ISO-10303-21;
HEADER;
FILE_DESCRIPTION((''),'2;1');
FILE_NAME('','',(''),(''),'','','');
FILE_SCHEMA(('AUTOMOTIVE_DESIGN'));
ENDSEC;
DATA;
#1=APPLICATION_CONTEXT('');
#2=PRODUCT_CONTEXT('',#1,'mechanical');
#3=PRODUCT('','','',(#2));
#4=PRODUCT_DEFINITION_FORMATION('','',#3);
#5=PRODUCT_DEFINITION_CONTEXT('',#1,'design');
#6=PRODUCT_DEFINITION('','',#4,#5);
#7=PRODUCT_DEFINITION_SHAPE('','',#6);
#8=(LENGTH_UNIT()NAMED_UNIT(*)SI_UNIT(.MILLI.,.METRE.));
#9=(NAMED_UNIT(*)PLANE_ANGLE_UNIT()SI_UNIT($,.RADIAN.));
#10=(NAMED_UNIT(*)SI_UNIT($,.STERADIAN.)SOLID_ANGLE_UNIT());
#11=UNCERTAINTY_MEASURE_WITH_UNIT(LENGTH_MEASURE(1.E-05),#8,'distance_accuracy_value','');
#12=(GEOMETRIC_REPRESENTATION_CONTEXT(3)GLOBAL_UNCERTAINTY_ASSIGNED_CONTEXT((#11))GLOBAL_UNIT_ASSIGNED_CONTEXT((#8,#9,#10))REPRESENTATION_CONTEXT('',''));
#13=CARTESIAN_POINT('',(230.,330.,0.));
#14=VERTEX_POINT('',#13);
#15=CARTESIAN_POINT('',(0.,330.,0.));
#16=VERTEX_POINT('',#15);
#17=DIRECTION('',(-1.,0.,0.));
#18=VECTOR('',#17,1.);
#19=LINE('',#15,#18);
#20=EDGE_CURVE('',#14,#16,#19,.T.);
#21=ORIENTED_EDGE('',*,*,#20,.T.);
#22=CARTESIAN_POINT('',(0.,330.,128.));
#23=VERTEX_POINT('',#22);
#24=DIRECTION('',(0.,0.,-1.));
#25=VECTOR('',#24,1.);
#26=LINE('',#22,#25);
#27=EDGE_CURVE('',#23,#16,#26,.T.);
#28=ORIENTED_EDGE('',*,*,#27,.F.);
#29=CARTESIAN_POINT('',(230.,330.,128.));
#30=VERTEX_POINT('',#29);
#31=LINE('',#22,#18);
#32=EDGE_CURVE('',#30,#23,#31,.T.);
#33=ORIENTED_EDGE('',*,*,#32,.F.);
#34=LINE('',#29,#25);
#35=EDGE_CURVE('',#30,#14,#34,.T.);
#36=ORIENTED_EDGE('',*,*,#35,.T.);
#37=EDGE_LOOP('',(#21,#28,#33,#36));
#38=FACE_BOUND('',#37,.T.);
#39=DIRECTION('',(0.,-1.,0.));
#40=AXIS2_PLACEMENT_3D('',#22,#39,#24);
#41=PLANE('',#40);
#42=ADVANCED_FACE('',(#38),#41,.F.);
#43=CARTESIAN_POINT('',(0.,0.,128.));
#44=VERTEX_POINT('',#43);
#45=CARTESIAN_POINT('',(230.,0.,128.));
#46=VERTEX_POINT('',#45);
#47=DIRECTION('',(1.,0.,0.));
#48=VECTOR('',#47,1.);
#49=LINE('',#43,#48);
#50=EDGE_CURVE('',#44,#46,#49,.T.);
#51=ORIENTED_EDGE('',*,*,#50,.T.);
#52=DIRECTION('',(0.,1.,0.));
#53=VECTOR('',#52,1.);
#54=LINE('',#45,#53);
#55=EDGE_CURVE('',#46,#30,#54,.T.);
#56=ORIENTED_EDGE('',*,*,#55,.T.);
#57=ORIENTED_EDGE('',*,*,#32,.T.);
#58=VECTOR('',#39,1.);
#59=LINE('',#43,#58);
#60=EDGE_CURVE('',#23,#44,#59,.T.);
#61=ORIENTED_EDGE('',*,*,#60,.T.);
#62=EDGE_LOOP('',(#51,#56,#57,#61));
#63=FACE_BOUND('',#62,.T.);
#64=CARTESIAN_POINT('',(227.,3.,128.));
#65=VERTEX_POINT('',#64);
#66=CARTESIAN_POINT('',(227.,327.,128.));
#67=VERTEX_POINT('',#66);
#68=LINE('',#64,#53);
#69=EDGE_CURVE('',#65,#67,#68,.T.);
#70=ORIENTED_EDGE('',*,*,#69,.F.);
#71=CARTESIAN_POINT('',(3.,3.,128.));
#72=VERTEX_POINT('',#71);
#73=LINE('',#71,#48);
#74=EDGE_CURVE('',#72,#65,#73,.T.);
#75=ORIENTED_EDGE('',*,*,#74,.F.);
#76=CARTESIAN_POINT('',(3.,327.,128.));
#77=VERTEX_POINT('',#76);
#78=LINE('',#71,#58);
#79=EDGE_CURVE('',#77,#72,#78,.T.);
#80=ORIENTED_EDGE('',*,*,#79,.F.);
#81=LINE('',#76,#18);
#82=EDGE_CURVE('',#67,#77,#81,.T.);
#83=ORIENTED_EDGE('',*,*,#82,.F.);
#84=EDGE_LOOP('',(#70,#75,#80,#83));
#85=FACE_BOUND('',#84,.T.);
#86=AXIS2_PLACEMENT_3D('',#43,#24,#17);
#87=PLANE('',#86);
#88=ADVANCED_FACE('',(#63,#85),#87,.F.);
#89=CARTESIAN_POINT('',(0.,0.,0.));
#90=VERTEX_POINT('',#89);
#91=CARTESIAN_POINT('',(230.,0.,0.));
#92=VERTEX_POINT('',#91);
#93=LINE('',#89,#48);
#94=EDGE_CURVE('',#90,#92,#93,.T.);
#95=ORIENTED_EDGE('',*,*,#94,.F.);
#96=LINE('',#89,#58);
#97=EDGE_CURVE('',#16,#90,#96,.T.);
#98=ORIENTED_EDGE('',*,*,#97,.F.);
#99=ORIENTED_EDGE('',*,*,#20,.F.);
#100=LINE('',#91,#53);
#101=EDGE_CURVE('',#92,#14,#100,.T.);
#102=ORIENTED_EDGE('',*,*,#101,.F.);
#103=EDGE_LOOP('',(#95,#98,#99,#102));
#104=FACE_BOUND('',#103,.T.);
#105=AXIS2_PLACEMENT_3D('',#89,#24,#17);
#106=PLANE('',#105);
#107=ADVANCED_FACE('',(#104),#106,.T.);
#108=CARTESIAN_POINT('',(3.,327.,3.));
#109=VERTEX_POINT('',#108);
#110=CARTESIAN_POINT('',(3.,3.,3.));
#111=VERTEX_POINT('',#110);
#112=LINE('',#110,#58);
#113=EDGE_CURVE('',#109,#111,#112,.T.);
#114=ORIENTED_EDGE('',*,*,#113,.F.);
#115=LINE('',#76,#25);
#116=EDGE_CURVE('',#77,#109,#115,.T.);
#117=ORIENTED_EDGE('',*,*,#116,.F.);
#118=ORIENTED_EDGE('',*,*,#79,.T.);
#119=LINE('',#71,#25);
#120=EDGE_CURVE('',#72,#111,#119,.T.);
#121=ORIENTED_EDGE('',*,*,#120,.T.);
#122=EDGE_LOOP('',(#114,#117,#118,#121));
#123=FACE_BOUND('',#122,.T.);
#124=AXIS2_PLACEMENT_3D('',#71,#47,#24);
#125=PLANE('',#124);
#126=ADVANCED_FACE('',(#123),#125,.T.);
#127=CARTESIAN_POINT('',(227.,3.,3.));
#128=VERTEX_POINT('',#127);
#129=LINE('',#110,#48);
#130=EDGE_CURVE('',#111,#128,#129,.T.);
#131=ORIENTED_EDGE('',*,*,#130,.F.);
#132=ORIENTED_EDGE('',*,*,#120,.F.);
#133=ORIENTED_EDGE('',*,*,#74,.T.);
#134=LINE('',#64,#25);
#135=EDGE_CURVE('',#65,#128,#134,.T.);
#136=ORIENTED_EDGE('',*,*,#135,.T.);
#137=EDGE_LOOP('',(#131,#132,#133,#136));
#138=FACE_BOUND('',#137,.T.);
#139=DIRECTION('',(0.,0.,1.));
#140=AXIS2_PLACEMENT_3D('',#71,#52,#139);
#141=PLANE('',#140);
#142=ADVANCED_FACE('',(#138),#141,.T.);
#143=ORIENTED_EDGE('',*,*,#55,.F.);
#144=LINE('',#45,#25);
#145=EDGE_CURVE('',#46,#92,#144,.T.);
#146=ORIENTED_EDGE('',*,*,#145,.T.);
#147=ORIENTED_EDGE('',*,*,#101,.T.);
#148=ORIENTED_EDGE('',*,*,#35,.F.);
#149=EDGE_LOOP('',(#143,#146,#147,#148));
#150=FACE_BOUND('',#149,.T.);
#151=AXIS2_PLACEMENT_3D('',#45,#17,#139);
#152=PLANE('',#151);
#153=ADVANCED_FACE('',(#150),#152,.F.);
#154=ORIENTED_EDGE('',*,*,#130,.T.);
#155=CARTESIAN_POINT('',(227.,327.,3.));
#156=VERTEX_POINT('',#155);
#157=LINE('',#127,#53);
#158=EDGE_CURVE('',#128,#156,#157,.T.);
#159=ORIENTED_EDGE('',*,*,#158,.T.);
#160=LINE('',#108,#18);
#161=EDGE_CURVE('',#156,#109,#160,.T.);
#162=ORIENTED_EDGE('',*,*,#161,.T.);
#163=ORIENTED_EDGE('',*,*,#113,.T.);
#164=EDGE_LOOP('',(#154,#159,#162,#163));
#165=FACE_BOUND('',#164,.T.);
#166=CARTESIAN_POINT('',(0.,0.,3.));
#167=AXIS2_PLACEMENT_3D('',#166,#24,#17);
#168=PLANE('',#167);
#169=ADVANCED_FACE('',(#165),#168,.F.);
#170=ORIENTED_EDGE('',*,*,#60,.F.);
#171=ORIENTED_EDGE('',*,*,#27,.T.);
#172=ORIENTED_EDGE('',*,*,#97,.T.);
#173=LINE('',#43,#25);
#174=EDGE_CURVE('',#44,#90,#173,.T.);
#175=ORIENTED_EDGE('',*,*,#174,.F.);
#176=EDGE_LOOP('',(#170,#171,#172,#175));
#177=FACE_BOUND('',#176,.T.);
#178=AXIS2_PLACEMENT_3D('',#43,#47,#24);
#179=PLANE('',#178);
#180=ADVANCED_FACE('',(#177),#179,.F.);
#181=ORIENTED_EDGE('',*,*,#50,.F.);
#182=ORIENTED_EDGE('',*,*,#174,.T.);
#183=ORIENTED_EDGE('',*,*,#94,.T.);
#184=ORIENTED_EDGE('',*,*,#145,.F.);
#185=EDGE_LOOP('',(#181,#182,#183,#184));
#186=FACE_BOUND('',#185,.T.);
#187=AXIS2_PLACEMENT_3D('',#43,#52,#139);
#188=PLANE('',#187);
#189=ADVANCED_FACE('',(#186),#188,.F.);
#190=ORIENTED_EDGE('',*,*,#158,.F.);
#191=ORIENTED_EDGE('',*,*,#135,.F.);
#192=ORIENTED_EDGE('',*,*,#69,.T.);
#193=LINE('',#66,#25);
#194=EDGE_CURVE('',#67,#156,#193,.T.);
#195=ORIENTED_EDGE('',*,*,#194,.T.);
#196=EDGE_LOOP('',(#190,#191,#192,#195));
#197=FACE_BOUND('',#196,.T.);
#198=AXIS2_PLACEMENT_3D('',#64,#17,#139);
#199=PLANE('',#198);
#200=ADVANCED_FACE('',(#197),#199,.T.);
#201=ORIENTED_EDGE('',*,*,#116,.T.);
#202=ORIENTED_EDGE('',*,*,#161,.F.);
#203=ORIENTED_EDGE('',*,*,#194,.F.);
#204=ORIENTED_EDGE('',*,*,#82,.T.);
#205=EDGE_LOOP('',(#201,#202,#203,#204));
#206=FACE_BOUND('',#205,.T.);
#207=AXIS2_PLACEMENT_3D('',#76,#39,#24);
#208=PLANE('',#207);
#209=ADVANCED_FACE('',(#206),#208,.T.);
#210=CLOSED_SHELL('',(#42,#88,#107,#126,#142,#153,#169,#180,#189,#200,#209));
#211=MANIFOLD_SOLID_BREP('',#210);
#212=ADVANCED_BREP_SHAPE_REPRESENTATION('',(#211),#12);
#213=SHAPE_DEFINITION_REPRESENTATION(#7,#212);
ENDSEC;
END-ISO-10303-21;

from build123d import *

# Parameters (mm, degrees)
SKETCH1_W     = 230
SKETCH1_H     = 330
SKETCH1_W_2   = 224
SKETCH1_H_2   = 324
PROFILE_DEPTH = 128
SKETCH2_W     = 224
SKETCH2_H     = 324
BACK_DEPTH    = 3


with BuildPart() as part:
    # Sketch1 → Profile (new body)
    with BuildSketch(Plane.XY):
        with Locations((115, 165)):
            Rectangle(SKETCH1_W, SKETCH1_H)
        with Locations((115, 165)):
            Rectangle(SKETCH1_W_2, SKETCH1_H_2, mode=Mode.SUBTRACT)
    extrude(amount=PROFILE_DEPTH)

    # Sketch2 → Back (add)
    with BuildSketch(Plane.XY):
        with Locations((115, 165)):
            Rectangle(SKETCH2_W, SKETCH2_H)
    extrude(amount=BACK_DEPTH)


solid = part.part
